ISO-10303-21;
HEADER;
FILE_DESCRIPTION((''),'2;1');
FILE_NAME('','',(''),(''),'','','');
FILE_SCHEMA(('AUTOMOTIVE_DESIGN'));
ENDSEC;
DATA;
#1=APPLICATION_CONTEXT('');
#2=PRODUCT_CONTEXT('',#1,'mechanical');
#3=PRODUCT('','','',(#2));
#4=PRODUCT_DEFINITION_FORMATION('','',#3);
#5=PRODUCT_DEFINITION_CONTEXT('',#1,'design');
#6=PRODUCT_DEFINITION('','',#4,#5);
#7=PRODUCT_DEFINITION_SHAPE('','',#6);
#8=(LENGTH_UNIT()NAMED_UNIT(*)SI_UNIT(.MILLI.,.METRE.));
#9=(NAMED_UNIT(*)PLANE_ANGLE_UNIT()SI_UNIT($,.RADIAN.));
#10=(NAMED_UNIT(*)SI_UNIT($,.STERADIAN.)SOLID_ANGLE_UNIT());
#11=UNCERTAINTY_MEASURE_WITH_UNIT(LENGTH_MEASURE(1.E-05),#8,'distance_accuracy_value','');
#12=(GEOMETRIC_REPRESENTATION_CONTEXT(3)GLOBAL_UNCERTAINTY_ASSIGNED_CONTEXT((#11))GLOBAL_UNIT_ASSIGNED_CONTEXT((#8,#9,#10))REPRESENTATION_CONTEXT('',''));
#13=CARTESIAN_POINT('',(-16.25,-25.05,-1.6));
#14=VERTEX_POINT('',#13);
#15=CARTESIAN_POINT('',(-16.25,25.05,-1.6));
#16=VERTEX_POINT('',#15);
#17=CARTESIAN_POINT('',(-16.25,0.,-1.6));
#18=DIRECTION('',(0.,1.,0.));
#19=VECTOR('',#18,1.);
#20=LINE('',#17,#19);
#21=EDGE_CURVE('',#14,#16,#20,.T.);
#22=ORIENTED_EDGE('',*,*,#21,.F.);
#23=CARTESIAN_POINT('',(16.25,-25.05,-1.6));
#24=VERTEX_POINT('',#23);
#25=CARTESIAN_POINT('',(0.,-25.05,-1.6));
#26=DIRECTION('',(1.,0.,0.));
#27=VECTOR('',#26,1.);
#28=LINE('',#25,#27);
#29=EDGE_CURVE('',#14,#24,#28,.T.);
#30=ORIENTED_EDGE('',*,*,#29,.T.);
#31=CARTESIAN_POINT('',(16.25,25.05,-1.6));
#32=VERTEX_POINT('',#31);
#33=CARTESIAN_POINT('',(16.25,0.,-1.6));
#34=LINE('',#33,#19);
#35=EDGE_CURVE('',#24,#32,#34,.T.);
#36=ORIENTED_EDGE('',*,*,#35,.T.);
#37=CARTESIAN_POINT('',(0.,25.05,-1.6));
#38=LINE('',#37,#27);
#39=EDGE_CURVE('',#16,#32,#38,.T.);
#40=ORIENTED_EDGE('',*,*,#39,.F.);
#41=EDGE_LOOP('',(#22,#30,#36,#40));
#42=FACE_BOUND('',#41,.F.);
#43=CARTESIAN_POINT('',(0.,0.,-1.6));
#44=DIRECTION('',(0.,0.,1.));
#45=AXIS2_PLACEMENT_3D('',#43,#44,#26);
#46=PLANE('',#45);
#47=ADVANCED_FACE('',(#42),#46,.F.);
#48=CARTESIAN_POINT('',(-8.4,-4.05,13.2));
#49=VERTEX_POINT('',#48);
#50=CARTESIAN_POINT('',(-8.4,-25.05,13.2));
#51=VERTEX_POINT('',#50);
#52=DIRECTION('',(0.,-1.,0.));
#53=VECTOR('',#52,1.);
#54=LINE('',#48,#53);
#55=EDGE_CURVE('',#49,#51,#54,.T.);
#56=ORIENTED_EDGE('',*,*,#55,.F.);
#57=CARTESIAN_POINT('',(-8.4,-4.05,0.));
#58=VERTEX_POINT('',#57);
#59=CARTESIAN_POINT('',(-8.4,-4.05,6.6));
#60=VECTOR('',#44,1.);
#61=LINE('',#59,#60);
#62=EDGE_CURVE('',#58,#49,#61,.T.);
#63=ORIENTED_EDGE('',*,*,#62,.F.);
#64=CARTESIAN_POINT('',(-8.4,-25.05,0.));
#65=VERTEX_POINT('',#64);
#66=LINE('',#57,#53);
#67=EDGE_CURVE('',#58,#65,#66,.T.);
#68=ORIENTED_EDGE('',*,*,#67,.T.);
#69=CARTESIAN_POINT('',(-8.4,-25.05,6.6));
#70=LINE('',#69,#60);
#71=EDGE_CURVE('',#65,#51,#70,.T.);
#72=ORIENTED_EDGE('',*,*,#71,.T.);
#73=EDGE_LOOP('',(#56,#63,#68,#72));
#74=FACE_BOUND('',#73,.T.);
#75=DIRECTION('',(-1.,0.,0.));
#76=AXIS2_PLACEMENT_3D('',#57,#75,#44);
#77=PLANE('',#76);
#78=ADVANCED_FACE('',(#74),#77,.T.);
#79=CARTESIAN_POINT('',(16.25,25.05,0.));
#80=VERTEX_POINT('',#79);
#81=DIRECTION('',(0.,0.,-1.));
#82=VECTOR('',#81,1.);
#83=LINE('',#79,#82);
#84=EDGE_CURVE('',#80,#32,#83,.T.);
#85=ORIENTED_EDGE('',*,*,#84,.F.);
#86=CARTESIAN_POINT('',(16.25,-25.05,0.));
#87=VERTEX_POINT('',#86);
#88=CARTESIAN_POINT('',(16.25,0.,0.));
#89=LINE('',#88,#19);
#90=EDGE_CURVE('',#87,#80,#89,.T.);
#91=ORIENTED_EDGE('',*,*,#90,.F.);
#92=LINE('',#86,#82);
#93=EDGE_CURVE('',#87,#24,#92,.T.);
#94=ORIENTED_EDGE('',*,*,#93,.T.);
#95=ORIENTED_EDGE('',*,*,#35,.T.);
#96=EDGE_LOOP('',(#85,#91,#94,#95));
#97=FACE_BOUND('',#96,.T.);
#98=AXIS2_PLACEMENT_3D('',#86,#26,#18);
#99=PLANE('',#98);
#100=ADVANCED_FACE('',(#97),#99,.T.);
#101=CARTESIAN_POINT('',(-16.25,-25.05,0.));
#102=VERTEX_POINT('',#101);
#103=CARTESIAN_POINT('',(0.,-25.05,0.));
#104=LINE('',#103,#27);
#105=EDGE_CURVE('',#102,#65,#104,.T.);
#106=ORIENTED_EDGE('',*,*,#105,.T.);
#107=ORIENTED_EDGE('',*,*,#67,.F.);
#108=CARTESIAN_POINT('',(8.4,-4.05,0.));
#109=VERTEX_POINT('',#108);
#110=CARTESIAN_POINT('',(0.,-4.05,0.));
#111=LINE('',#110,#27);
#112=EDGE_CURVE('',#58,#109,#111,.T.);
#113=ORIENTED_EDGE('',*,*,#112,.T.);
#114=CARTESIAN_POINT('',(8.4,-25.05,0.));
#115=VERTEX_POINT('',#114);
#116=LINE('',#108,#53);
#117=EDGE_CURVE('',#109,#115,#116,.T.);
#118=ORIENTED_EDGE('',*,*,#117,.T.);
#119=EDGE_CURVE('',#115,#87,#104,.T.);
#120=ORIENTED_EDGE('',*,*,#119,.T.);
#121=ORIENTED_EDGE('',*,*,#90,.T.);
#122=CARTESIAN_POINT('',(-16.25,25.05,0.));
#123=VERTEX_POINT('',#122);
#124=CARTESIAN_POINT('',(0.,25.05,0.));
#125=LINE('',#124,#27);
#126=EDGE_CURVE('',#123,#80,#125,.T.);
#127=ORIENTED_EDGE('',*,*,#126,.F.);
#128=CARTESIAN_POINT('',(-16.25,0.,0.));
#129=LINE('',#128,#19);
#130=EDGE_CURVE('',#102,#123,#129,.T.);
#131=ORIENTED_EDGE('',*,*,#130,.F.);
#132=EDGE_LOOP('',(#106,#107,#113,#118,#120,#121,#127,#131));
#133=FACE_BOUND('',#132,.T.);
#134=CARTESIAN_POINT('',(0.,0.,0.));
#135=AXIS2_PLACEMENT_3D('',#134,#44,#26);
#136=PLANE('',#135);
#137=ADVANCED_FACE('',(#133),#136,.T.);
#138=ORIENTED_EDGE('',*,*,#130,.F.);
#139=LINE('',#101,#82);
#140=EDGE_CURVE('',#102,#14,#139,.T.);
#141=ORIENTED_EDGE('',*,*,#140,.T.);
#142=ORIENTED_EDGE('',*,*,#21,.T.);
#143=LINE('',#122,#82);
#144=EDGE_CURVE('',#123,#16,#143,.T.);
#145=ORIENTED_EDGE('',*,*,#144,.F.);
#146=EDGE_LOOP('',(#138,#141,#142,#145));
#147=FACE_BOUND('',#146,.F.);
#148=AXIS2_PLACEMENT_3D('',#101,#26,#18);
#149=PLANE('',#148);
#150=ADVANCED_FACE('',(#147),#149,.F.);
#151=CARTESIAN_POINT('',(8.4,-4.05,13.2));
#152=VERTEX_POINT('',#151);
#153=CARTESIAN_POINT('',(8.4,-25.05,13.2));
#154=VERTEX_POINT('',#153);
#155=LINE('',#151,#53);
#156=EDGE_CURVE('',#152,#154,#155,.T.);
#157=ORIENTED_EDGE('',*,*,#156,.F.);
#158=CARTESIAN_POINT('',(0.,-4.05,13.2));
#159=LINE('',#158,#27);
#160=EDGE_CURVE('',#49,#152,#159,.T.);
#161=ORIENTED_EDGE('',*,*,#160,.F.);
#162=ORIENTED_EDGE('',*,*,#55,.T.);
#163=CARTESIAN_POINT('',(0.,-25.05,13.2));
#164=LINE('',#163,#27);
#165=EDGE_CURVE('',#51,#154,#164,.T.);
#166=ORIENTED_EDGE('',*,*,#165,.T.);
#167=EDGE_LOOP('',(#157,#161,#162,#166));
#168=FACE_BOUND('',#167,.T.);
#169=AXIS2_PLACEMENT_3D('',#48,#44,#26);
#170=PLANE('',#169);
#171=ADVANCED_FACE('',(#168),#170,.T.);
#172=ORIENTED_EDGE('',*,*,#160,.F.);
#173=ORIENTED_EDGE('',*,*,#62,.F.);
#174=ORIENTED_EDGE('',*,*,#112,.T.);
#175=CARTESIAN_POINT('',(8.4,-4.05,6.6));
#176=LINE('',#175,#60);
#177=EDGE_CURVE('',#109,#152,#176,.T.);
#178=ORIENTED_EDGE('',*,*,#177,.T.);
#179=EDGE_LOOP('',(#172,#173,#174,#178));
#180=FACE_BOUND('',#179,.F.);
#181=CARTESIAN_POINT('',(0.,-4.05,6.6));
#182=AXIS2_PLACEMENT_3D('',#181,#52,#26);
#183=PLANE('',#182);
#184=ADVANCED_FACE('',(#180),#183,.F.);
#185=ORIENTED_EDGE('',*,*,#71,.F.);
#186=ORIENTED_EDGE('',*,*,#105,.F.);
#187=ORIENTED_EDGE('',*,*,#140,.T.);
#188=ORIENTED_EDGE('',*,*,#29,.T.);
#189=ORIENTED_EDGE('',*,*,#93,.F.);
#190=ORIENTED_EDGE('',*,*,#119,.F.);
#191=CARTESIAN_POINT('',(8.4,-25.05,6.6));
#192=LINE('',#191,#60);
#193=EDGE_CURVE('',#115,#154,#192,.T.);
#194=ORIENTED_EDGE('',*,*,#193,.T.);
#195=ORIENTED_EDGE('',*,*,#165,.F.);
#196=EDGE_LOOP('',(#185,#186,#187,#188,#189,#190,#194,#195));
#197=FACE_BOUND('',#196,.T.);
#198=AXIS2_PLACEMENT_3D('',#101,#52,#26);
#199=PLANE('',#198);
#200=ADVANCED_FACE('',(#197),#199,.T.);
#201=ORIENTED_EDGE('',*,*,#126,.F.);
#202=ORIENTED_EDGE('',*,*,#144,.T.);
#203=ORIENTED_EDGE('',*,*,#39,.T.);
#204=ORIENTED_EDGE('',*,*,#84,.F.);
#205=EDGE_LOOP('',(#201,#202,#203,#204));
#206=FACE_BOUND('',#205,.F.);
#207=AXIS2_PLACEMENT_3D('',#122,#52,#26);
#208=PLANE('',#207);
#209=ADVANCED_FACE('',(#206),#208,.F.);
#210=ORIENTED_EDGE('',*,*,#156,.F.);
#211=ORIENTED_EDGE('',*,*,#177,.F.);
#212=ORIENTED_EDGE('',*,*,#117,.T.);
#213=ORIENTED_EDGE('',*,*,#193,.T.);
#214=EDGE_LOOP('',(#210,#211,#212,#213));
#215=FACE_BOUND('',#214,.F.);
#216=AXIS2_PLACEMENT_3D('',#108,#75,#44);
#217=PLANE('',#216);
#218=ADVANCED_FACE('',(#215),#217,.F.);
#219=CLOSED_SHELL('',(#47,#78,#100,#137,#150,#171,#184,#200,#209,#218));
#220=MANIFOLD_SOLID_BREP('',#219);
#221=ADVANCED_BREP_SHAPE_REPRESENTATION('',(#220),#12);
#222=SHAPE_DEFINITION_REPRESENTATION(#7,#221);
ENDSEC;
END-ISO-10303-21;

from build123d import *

# Parameters (mm, degrees)
F0_W     = 32.5
F0_H     = 50.1
F2_DEPTH = 1.6
F3_START = 4.05
F1_W     = 16.8
F1_H     = 13.2
F3_DEPTH = 21


with BuildPart() as f2:
    # F0 (on Top) → F2 (new body)
    with BuildSketch(Plane.XY):
        Rectangle(F0_W, F0_H)
    extrude(amount=-F2_DEPTH)

    # F1 (on Front) → F3 (join)
    with BuildSketch(Plane.XZ.offset(F3_START)):
        with Locations((0, 6.6)):
            Rectangle(F1_W, F1_H)
    extrude(amount=F3_DEPTH)


solid = f2.part
